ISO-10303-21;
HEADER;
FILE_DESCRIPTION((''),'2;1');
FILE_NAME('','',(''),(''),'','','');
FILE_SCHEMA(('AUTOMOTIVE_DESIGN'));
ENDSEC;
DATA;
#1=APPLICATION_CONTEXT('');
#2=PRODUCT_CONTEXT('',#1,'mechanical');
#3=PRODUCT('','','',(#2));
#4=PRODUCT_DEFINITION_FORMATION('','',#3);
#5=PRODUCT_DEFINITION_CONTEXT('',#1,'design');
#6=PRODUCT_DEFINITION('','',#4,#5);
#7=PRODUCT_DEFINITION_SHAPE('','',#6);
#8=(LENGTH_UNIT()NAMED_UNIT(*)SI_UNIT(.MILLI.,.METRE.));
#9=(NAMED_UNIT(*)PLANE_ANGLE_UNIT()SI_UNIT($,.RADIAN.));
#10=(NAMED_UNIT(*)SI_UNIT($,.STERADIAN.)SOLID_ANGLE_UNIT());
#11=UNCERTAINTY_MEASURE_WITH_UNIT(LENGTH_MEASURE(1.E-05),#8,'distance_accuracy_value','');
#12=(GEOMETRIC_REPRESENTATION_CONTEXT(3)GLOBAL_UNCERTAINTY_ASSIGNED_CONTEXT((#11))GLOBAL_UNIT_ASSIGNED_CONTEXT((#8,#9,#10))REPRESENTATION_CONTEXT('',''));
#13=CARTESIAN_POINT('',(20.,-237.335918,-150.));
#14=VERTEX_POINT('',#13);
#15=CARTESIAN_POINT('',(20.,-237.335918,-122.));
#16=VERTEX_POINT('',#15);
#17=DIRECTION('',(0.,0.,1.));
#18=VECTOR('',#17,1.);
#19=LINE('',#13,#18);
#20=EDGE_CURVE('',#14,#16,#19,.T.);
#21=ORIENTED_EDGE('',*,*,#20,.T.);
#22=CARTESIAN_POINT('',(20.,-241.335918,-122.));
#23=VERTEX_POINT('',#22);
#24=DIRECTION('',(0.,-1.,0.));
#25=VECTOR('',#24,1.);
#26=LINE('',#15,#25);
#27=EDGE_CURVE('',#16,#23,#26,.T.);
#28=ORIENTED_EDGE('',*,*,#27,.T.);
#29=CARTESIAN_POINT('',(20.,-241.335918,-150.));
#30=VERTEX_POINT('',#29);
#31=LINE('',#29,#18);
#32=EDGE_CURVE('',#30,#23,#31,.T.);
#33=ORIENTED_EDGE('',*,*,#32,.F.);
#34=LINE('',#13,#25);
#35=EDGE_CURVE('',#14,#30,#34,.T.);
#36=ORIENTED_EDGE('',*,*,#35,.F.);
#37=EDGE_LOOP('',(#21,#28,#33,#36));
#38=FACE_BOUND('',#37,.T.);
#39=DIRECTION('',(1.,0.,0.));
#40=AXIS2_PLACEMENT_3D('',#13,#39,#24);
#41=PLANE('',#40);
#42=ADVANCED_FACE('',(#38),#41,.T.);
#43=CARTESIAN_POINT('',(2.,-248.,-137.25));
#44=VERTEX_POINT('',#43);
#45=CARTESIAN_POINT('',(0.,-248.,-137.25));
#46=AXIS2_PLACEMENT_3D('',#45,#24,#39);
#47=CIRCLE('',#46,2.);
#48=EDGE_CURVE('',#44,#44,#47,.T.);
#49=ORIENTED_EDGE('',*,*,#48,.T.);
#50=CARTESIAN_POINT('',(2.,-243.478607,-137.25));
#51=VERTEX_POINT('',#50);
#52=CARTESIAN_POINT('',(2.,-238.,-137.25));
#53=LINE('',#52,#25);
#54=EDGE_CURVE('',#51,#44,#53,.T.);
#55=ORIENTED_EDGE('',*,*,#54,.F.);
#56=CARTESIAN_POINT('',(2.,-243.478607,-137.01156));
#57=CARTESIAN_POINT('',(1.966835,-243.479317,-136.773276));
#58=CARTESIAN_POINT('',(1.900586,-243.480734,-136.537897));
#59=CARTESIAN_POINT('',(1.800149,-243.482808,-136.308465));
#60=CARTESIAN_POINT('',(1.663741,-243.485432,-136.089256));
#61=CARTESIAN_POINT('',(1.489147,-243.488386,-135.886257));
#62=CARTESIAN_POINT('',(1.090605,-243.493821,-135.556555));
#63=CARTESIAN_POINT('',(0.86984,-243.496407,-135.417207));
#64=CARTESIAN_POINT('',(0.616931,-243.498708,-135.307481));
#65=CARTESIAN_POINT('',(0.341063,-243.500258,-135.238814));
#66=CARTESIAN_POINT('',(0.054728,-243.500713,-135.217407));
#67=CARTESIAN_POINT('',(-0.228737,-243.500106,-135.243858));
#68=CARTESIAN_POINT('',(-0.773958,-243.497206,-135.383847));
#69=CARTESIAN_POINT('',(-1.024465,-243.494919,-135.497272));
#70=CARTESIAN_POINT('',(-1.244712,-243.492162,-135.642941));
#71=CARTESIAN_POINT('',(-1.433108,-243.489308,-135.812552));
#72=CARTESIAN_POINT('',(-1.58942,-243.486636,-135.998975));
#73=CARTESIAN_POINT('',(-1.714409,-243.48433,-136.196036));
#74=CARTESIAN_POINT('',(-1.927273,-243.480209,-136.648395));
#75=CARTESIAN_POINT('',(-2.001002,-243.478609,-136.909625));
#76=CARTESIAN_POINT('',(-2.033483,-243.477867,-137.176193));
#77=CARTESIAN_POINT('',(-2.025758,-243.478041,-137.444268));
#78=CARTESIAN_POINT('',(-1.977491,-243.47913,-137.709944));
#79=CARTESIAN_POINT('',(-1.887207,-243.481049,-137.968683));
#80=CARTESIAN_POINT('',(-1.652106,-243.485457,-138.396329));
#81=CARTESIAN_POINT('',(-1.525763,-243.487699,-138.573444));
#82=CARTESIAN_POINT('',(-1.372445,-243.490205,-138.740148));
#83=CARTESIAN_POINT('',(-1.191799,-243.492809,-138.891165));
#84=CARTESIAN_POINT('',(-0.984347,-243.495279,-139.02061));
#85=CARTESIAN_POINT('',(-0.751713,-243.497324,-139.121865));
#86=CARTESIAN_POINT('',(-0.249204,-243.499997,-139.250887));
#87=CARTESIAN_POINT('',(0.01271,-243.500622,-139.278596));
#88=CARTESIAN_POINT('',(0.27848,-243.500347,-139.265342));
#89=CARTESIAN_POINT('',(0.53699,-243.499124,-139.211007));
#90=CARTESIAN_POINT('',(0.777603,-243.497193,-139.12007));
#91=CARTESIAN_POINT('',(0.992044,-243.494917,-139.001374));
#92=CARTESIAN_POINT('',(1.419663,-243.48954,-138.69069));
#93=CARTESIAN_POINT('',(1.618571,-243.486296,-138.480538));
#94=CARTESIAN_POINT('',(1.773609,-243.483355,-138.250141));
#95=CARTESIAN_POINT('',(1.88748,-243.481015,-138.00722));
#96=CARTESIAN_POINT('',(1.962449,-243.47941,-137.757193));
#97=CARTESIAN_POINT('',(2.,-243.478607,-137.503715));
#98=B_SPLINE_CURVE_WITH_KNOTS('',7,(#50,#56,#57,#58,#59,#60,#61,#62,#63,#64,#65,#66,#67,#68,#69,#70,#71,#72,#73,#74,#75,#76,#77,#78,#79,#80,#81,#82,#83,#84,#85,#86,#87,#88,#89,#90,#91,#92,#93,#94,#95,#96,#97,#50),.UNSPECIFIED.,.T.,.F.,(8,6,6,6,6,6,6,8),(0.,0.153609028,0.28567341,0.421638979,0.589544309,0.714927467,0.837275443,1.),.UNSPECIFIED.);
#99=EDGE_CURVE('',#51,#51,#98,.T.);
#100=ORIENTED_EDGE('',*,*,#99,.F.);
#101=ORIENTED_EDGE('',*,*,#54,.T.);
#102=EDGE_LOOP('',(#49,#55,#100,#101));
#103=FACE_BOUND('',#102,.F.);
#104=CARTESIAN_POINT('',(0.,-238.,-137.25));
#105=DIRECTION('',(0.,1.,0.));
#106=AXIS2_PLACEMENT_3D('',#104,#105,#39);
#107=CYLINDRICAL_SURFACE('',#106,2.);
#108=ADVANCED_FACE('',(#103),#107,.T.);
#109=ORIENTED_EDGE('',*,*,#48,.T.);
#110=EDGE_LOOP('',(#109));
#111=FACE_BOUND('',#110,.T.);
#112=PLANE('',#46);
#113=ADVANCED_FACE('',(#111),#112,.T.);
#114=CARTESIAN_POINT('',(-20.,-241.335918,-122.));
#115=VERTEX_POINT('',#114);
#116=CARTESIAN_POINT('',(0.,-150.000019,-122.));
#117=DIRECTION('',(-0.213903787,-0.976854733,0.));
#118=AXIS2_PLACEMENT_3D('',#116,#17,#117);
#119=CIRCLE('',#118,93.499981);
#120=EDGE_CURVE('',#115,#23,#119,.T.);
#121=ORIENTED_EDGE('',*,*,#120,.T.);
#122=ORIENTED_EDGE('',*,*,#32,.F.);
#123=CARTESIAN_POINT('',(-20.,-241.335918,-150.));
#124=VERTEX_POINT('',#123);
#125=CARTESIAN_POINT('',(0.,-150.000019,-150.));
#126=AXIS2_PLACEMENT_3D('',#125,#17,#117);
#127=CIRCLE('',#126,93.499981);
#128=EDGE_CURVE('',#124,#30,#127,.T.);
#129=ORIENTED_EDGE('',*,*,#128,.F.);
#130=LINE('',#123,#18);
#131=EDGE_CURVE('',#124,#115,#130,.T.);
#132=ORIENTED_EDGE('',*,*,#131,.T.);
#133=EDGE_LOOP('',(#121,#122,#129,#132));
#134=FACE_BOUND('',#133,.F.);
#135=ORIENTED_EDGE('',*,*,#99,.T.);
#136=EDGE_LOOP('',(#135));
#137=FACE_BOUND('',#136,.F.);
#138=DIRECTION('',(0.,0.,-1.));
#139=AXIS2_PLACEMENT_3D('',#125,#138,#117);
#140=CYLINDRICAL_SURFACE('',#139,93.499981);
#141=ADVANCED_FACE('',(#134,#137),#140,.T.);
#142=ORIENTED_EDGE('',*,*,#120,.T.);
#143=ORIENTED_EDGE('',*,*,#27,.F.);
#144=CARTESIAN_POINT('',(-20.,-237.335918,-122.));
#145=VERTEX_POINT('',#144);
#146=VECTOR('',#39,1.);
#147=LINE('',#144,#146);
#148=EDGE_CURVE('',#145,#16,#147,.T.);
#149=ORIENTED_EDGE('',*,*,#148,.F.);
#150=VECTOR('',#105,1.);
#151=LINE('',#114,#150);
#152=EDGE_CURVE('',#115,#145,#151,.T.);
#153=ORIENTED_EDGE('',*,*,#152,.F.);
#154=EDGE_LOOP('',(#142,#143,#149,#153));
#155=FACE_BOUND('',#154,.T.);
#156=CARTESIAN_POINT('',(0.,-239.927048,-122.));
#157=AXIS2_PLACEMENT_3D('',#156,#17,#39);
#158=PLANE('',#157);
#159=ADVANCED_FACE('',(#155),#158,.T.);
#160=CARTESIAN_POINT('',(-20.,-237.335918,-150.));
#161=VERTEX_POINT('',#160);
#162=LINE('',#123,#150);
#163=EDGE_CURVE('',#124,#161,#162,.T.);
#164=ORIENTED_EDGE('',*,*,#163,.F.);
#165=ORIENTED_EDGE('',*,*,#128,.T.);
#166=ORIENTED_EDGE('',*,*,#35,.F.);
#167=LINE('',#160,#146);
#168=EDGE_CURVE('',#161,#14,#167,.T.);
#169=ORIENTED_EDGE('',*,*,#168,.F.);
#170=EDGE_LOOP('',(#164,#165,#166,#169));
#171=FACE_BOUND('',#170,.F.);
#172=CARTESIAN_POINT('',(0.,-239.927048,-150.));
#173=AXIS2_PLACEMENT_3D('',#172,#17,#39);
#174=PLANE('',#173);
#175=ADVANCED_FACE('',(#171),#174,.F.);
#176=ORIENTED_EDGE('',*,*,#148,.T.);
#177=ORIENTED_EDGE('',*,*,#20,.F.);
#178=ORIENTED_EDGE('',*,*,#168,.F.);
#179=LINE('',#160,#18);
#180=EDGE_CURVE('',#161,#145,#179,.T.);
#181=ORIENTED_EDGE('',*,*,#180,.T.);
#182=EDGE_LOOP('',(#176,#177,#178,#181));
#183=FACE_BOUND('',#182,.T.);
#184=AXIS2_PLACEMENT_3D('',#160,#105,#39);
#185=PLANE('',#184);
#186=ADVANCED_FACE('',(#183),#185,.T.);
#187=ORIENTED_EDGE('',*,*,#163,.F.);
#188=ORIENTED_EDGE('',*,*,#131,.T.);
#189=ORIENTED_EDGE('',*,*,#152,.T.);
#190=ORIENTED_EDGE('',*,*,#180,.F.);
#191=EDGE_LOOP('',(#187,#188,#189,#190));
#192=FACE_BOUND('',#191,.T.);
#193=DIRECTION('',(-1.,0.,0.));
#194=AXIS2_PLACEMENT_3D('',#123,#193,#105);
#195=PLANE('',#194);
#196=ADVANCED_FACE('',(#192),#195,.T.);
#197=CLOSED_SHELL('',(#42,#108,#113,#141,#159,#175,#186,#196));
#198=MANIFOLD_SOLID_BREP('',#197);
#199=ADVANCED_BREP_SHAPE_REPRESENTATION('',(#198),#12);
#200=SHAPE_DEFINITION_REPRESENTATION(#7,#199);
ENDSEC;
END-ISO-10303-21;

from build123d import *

# Parameters (mm, degrees)
CYLINDER157_R     = 2
CYLINDER157_DEPTH = 10
EXTRUDE038_DEPTH  = 28


with BuildPart() as cylinder157:
    # Cylinder157 → Cylinder157 (new body)
    with BuildSketch(Plane(origin=(0, -238, -147.25), x_dir=(1, 0, 0), z_dir=(0, -1, 0))):
        Circle(CYLINDER157_R)
    extrude(amount=CYLINDER157_DEPTH)


with BuildPart() as logoattach001:
    # Sketch056 → Extrude038 (new body)
    with BuildSketch(Plane.XY):
        with BuildLine():
            ThreePointArc((-20, -241.335918), (0, -243.5), (20, -241.335918))
            Line((20, -237.335918), (20, -241.335918))
            Line((-20, -237.335918), (20, -237.335918))
            Line((-20, -241.335918), (-20, -237.335918))
        make_face()
    extrude(amount=EXTRUDE038_DEPTH)


with BuildPart() as logoattach001_1:
    # Extrude038 placement: moved
    add(logoattach001.part.moved(Location((0, 0, -160))))

    # Fusion105: union Cylinder157
    add(cylinder157.part)


with BuildPart() as logoattach001_2:
    # Fusion105 placement: moved
    add(logoattach001_1.part.moved(Location((0, 0, 10))))


solid = logoattach001_2.part
